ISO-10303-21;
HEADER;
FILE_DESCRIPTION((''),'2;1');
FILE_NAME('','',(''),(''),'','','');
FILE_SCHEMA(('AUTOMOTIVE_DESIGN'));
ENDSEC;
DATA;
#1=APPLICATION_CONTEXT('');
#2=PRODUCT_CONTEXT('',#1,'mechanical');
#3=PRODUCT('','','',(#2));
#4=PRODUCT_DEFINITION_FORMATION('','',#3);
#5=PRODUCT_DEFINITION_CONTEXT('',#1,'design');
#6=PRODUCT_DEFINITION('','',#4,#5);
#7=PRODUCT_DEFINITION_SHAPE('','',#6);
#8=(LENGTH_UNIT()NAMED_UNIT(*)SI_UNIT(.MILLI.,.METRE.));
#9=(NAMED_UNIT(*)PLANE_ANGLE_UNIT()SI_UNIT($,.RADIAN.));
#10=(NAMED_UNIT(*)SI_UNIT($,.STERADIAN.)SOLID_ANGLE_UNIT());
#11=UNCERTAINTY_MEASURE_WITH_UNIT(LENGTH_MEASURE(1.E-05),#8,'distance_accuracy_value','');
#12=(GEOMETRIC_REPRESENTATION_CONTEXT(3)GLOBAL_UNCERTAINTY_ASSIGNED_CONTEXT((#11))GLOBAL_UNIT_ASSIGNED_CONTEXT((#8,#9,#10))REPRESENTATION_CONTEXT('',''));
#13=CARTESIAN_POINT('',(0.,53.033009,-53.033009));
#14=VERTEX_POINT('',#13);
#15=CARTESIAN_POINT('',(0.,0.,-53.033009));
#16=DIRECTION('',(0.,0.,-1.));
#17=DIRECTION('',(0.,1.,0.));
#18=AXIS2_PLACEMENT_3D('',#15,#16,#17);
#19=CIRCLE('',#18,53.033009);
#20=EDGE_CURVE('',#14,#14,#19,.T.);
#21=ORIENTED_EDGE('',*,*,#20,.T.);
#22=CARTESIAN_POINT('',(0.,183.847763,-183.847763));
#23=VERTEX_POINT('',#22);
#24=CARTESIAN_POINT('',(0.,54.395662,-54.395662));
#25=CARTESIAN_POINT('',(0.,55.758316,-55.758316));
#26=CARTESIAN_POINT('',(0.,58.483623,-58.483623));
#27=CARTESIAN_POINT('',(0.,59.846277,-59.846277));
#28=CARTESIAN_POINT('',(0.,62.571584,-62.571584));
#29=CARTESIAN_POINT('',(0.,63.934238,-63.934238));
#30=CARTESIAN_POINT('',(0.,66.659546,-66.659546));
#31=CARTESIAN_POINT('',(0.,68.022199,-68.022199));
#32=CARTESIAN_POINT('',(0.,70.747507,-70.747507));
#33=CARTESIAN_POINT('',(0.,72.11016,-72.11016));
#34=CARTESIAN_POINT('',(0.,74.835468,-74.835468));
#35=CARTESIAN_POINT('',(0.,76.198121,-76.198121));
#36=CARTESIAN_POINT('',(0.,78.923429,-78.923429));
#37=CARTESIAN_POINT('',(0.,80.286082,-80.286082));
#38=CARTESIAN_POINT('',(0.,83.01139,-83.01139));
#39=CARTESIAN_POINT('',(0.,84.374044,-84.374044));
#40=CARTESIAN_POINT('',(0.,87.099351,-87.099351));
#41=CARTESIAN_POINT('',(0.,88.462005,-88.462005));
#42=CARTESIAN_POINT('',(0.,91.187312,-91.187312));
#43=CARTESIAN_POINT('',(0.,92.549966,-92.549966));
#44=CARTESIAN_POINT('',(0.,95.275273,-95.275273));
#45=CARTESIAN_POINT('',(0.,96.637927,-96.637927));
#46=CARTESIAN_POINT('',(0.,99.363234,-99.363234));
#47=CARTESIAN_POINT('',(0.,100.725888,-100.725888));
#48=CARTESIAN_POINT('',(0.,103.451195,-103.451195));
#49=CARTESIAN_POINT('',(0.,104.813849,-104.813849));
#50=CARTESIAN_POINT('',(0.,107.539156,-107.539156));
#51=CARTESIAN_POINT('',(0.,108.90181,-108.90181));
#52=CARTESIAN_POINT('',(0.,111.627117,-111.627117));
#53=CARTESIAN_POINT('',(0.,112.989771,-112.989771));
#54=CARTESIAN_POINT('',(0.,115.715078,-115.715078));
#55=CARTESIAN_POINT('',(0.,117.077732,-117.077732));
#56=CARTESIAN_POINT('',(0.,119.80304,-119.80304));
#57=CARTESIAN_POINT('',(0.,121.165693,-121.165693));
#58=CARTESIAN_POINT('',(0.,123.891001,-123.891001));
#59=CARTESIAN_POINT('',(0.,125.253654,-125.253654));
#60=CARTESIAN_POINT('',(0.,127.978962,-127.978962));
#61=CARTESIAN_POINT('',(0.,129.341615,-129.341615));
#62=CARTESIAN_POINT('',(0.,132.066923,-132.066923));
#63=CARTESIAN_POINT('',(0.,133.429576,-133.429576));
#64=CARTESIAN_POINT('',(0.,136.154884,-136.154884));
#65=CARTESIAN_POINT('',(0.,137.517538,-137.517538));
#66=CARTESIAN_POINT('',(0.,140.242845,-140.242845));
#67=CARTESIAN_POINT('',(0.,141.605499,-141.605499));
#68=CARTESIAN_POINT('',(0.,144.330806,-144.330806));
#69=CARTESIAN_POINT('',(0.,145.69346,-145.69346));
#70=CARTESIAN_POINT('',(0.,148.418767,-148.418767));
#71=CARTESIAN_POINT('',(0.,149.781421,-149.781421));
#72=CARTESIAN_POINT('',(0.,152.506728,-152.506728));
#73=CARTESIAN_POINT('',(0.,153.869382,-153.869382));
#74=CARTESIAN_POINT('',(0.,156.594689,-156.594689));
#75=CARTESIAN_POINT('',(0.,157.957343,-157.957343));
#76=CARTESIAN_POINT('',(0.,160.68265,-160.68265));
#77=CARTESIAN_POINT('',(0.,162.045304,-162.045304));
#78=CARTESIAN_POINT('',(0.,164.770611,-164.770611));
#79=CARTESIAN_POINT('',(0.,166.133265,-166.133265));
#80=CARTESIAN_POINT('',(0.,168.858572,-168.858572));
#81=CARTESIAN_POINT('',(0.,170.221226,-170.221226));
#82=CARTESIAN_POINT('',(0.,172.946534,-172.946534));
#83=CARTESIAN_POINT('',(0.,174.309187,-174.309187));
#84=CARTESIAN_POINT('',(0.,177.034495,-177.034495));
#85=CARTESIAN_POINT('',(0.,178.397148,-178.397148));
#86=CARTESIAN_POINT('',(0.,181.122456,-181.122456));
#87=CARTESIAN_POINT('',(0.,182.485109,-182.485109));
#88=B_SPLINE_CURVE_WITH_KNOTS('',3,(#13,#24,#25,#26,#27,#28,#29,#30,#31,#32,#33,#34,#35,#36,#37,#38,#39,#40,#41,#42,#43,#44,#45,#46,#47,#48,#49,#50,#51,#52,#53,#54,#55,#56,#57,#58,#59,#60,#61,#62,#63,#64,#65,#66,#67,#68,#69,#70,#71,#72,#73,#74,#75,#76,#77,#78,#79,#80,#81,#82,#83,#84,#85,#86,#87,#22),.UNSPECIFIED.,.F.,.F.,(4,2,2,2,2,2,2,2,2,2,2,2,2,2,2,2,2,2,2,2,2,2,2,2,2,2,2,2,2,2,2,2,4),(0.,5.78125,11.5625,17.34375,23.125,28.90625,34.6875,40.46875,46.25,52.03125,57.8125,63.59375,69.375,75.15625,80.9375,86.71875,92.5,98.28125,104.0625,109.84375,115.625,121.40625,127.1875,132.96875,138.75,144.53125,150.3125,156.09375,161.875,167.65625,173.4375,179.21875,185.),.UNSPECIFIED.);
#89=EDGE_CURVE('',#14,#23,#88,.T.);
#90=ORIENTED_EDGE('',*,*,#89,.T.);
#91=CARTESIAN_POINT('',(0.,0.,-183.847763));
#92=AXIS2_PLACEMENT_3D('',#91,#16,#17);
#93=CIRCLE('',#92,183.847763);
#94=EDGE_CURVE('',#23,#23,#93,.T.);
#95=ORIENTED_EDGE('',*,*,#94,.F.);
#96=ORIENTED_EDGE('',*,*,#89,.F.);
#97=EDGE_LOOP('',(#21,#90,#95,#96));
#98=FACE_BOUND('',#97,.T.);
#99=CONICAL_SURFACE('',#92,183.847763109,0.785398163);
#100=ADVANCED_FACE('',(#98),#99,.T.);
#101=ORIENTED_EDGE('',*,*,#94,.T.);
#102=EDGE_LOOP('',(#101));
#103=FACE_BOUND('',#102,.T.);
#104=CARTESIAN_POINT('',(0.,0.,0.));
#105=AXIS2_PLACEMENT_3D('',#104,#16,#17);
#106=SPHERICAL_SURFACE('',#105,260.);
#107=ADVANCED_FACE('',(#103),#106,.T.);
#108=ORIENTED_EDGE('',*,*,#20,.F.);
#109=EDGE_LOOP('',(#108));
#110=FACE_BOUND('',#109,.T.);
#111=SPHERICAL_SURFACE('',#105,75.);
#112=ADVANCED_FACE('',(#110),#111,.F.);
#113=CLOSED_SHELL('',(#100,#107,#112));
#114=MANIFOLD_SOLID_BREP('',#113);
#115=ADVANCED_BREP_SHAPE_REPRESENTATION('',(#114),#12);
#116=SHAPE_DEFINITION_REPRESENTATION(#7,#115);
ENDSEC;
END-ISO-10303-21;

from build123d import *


with BuildPart() as part:
    # Lens Sketch → Lens Revolution (revolve)
    with BuildSketch(Plane(origin=(0, 0, 0), x_dir=(0, 0, -1), z_dir=(1, 0, 0))):
        with BuildLine():
            Line((183.847763109, 183.847763109), (53.033008589, 53.033008589))
            ThreePointArc((53.033008589, 53.033008589), (69.290964938, 28.701257427), (75, 0))
            Line((75, 0), (260, 0))
            ThreePointArc((260, 0), (240.208678453, 99.497692415), (183.847763109, 183.847763109))
        make_face()
    revolve(axis=Axis((0, 0, -75), (0, 0, 1)))


solid = part.part
